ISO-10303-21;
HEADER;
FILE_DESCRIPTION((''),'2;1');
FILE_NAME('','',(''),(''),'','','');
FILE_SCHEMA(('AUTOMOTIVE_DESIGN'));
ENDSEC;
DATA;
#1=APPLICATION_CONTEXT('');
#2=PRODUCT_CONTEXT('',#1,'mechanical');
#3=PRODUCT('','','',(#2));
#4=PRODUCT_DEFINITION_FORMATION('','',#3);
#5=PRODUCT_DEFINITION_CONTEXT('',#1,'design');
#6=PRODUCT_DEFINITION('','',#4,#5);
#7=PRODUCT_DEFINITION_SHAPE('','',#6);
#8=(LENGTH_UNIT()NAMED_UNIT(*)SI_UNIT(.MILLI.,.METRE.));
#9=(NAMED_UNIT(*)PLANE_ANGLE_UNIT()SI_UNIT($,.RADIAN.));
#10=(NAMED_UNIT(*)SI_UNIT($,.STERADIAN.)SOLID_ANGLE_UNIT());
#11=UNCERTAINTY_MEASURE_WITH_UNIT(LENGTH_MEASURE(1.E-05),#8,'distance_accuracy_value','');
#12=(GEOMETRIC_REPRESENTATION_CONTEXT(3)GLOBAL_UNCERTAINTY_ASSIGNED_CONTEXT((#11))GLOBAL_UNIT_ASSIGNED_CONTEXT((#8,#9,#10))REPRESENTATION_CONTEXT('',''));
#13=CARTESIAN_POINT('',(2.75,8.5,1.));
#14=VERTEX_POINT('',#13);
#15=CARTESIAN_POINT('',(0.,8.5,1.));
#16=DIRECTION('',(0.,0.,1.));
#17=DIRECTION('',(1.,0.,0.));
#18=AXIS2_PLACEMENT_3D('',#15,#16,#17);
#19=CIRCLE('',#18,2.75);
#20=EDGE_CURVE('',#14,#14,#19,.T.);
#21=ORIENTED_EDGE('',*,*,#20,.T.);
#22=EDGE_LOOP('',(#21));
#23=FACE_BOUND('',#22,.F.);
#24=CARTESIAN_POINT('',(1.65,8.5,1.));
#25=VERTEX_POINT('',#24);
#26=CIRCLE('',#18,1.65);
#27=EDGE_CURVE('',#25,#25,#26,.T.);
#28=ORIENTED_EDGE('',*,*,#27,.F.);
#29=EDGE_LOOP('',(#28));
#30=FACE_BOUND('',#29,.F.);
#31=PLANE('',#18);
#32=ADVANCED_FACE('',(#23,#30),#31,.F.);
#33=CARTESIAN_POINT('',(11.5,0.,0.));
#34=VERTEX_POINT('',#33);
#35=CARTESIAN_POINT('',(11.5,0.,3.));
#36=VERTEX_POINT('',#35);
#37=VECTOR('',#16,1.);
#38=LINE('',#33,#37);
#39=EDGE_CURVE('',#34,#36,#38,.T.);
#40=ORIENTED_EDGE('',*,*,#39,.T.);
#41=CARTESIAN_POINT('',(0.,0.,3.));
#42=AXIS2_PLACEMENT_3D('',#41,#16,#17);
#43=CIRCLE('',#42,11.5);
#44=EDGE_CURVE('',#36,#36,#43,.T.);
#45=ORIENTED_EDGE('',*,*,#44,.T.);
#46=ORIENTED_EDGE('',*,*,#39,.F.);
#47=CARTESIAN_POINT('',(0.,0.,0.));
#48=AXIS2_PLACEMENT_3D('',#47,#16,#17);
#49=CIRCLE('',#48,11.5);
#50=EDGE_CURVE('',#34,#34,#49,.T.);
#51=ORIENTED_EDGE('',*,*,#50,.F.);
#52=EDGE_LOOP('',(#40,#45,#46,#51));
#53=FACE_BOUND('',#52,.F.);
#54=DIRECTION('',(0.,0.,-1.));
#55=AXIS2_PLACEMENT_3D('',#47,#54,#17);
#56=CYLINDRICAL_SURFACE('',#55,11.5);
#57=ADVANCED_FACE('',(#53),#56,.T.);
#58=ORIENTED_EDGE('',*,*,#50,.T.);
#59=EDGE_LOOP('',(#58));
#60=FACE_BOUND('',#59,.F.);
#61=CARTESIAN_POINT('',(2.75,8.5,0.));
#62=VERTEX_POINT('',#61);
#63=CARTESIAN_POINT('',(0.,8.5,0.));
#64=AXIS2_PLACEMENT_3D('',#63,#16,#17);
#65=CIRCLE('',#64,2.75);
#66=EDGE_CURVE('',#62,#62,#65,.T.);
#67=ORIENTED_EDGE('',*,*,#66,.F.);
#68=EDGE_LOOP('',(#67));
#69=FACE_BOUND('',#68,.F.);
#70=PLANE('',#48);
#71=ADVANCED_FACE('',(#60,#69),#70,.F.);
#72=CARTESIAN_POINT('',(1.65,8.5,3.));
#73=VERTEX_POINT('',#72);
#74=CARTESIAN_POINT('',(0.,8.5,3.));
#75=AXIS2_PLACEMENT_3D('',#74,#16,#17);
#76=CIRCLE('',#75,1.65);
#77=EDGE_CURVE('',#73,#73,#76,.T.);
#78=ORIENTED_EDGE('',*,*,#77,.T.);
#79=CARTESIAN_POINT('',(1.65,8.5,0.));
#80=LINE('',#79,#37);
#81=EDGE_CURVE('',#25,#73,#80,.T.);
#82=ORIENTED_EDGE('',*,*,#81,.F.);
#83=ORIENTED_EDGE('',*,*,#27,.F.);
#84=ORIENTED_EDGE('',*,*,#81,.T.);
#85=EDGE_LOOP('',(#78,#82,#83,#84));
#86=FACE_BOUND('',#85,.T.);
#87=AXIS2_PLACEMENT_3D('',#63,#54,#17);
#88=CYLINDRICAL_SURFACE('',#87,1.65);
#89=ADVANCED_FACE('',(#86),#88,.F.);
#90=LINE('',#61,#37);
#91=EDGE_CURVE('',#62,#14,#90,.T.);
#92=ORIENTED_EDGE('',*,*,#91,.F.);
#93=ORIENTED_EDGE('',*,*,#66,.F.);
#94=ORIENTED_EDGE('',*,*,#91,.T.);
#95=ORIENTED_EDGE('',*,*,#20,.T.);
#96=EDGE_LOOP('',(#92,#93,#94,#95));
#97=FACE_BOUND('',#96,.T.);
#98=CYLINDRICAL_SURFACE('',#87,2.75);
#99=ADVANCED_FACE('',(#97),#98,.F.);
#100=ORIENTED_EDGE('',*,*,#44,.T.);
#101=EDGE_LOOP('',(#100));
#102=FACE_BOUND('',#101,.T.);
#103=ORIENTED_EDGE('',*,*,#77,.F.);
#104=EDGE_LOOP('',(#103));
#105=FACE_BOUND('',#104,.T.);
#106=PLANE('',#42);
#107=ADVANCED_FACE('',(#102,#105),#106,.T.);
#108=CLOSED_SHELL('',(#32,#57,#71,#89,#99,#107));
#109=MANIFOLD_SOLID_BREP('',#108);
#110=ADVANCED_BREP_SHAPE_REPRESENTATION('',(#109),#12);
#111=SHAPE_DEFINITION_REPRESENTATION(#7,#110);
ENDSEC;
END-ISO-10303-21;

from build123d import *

# Parameters (mm, degrees)
F0_R     = 11.5
F0_R_2   = 2.75
F0_R_3   = 1.65
F1_DEPTH = 3
F2_DEPTH = 1


with BuildPart() as f1:
    # F0 (on Top) → F1 (new body)
    with BuildSketch(Plane.XY):
        Circle(F0_R)
        with Locations((0, 8.5)):
            Circle(F0_R_2, mode=Mode.SUBTRACT)
        with Locations((0, 8.5)):
            Circle(F0_R_2)
        with Locations((0, 8.5)):
            Circle(F0_R_3, mode=Mode.SUBTRACT)
    extrude(amount=F1_DEPTH)

    # F0 (on Top) → F2 (cut)
    with BuildSketch(Plane.XY):
        with Locations((0, 8.5)):
            Circle(F0_R_2)
        with Locations((0, 8.5)):
            Circle(F0_R_3, mode=Mode.SUBTRACT)
    extrude(amount=F2_DEPTH, mode=Mode.SUBTRACT)


solid = f1.part
